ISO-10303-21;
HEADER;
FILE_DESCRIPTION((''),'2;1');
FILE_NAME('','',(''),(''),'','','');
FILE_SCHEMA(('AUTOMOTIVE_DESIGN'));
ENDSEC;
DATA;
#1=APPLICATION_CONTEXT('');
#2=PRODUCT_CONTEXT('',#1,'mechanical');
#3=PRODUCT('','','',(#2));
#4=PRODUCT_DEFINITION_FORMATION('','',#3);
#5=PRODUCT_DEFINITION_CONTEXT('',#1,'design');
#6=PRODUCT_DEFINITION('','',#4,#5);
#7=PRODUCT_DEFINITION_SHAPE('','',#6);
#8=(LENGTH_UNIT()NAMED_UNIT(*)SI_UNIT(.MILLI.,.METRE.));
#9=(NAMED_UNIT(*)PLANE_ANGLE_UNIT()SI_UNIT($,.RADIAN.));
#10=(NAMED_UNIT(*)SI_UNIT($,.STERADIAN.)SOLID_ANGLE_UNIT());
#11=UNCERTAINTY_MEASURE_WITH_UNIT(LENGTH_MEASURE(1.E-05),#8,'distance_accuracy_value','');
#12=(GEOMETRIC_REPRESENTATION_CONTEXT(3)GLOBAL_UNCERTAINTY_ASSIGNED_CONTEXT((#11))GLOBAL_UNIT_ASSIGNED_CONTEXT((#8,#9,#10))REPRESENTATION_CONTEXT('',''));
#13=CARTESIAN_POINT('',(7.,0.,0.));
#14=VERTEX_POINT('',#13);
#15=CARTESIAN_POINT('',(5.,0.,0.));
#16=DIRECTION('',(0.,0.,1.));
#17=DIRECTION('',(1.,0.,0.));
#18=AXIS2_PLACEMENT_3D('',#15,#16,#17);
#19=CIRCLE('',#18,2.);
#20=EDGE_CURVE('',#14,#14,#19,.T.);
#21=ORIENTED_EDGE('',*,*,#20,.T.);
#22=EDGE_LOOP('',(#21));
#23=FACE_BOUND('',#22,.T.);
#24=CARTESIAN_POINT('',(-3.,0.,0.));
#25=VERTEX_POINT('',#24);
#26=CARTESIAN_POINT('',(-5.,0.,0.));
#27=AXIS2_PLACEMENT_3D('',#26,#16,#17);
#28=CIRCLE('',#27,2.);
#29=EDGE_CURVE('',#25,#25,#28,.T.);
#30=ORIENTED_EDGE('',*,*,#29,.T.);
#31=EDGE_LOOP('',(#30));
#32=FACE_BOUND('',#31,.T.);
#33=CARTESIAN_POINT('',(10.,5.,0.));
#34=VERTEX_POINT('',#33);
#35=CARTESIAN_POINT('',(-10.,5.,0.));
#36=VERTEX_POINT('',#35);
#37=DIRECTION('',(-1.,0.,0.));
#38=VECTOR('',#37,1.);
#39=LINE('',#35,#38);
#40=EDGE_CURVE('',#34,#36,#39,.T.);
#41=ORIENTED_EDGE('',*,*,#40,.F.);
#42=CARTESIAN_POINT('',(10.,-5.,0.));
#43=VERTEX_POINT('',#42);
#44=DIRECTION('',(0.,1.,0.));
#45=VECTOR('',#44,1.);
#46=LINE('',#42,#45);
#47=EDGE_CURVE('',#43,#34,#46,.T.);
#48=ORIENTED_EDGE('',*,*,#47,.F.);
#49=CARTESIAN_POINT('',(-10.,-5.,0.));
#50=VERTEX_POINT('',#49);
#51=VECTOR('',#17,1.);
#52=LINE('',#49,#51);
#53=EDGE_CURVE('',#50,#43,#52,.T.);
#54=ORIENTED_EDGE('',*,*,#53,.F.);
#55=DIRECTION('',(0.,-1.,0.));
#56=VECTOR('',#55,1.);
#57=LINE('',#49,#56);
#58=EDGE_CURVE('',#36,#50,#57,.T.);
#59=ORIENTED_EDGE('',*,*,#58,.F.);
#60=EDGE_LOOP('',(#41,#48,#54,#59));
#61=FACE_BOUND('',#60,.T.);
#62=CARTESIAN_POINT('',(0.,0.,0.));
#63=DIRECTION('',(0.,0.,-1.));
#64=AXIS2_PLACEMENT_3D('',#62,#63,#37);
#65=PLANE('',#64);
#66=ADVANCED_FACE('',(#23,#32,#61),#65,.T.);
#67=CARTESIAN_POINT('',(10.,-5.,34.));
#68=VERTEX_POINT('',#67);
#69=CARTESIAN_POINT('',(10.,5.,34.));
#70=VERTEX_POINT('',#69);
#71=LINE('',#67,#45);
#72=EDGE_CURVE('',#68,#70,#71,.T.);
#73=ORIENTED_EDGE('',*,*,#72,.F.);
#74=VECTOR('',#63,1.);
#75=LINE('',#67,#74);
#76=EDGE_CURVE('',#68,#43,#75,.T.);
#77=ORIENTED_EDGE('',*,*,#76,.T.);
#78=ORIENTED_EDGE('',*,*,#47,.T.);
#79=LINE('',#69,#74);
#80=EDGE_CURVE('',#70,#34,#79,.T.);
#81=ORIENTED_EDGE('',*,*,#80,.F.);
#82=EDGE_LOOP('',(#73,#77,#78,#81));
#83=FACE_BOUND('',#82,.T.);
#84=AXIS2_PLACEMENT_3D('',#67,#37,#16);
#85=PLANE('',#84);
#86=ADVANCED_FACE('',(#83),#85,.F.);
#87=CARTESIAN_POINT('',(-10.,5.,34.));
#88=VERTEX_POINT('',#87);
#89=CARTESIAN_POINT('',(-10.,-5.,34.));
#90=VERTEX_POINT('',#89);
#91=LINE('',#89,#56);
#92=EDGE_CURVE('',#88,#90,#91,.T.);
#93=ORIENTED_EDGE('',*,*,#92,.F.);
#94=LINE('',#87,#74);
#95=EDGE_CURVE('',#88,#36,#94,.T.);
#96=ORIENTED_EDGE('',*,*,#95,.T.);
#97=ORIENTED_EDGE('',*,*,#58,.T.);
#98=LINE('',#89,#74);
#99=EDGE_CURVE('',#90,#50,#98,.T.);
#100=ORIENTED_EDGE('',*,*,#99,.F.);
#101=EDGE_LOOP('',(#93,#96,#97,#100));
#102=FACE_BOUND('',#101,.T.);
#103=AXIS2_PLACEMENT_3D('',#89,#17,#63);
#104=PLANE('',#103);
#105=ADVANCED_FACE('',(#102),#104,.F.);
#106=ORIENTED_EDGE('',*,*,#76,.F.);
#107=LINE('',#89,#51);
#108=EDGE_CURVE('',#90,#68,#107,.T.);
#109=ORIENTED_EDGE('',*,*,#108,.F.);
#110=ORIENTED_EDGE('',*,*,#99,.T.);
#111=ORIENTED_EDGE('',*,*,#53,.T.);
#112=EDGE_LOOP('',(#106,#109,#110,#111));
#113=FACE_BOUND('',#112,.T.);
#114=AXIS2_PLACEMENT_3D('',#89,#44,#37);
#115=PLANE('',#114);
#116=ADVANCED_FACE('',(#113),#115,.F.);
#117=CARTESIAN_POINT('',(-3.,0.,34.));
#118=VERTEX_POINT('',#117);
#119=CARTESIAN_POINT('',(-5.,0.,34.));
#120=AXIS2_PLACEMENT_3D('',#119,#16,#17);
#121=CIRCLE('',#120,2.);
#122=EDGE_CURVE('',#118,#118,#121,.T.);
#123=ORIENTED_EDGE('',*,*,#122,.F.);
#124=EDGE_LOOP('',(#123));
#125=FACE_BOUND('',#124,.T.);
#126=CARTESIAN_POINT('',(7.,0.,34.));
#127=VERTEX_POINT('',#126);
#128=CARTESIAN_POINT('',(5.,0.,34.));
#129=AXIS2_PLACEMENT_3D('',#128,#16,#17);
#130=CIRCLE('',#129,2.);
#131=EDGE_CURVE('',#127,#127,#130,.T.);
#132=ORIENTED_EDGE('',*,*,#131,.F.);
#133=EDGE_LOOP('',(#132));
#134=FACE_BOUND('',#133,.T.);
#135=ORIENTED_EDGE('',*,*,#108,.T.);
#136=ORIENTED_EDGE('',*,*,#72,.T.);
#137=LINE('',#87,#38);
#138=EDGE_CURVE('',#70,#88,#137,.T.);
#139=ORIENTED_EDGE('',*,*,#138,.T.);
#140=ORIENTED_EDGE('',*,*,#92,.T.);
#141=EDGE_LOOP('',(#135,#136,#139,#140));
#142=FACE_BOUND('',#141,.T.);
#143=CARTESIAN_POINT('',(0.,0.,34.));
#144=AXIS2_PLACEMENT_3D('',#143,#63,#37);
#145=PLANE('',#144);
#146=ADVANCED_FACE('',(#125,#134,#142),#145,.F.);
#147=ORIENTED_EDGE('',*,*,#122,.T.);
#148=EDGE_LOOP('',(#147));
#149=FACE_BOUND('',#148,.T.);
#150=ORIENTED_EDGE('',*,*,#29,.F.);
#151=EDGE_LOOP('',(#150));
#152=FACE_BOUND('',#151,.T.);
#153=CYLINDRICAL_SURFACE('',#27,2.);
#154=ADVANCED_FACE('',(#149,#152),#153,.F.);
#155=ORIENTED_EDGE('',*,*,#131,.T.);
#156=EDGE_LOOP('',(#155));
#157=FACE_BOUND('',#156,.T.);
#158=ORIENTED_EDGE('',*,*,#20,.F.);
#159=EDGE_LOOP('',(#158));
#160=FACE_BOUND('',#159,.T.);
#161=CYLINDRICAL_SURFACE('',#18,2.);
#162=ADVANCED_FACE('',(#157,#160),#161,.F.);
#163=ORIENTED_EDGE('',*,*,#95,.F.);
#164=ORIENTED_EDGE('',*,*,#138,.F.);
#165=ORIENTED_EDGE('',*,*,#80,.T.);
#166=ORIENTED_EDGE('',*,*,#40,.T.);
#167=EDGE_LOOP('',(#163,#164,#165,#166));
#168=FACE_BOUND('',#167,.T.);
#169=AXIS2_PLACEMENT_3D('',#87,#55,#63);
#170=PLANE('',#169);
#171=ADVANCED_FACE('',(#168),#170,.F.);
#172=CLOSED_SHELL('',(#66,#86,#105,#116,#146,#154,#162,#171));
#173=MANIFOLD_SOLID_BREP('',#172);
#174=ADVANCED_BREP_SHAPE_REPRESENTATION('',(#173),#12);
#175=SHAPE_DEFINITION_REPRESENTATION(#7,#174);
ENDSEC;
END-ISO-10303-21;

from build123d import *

# Parameters (mm, degrees)
SKETCH2_W           = 20
SKETCH2_H           = 10
BOSS_EXTRUDE1_DEPTH = 34
SKETCH3_R           = 2
CUT_EXTRUDE1_DEPTH  = 34


with BuildPart() as part:
    # Sketch2 → Boss-Extrude1 (new body)
    with BuildSketch(Plane.XY):
        Rectangle(SKETCH2_W, SKETCH2_H)
    extrude(amount=BOSS_EXTRUDE1_DEPTH)

    # Sketch3 → Cut-Extrude1 (cut)
    with BuildSketch(Plane.XY.offset(34)):
        with Locations((-5, 0)):
            Circle(SKETCH3_R)
        with Locations((5, 0)):
            Circle(SKETCH3_R)
    extrude(amount=-CUT_EXTRUDE1_DEPTH, mode=Mode.SUBTRACT)


solid = part.part
